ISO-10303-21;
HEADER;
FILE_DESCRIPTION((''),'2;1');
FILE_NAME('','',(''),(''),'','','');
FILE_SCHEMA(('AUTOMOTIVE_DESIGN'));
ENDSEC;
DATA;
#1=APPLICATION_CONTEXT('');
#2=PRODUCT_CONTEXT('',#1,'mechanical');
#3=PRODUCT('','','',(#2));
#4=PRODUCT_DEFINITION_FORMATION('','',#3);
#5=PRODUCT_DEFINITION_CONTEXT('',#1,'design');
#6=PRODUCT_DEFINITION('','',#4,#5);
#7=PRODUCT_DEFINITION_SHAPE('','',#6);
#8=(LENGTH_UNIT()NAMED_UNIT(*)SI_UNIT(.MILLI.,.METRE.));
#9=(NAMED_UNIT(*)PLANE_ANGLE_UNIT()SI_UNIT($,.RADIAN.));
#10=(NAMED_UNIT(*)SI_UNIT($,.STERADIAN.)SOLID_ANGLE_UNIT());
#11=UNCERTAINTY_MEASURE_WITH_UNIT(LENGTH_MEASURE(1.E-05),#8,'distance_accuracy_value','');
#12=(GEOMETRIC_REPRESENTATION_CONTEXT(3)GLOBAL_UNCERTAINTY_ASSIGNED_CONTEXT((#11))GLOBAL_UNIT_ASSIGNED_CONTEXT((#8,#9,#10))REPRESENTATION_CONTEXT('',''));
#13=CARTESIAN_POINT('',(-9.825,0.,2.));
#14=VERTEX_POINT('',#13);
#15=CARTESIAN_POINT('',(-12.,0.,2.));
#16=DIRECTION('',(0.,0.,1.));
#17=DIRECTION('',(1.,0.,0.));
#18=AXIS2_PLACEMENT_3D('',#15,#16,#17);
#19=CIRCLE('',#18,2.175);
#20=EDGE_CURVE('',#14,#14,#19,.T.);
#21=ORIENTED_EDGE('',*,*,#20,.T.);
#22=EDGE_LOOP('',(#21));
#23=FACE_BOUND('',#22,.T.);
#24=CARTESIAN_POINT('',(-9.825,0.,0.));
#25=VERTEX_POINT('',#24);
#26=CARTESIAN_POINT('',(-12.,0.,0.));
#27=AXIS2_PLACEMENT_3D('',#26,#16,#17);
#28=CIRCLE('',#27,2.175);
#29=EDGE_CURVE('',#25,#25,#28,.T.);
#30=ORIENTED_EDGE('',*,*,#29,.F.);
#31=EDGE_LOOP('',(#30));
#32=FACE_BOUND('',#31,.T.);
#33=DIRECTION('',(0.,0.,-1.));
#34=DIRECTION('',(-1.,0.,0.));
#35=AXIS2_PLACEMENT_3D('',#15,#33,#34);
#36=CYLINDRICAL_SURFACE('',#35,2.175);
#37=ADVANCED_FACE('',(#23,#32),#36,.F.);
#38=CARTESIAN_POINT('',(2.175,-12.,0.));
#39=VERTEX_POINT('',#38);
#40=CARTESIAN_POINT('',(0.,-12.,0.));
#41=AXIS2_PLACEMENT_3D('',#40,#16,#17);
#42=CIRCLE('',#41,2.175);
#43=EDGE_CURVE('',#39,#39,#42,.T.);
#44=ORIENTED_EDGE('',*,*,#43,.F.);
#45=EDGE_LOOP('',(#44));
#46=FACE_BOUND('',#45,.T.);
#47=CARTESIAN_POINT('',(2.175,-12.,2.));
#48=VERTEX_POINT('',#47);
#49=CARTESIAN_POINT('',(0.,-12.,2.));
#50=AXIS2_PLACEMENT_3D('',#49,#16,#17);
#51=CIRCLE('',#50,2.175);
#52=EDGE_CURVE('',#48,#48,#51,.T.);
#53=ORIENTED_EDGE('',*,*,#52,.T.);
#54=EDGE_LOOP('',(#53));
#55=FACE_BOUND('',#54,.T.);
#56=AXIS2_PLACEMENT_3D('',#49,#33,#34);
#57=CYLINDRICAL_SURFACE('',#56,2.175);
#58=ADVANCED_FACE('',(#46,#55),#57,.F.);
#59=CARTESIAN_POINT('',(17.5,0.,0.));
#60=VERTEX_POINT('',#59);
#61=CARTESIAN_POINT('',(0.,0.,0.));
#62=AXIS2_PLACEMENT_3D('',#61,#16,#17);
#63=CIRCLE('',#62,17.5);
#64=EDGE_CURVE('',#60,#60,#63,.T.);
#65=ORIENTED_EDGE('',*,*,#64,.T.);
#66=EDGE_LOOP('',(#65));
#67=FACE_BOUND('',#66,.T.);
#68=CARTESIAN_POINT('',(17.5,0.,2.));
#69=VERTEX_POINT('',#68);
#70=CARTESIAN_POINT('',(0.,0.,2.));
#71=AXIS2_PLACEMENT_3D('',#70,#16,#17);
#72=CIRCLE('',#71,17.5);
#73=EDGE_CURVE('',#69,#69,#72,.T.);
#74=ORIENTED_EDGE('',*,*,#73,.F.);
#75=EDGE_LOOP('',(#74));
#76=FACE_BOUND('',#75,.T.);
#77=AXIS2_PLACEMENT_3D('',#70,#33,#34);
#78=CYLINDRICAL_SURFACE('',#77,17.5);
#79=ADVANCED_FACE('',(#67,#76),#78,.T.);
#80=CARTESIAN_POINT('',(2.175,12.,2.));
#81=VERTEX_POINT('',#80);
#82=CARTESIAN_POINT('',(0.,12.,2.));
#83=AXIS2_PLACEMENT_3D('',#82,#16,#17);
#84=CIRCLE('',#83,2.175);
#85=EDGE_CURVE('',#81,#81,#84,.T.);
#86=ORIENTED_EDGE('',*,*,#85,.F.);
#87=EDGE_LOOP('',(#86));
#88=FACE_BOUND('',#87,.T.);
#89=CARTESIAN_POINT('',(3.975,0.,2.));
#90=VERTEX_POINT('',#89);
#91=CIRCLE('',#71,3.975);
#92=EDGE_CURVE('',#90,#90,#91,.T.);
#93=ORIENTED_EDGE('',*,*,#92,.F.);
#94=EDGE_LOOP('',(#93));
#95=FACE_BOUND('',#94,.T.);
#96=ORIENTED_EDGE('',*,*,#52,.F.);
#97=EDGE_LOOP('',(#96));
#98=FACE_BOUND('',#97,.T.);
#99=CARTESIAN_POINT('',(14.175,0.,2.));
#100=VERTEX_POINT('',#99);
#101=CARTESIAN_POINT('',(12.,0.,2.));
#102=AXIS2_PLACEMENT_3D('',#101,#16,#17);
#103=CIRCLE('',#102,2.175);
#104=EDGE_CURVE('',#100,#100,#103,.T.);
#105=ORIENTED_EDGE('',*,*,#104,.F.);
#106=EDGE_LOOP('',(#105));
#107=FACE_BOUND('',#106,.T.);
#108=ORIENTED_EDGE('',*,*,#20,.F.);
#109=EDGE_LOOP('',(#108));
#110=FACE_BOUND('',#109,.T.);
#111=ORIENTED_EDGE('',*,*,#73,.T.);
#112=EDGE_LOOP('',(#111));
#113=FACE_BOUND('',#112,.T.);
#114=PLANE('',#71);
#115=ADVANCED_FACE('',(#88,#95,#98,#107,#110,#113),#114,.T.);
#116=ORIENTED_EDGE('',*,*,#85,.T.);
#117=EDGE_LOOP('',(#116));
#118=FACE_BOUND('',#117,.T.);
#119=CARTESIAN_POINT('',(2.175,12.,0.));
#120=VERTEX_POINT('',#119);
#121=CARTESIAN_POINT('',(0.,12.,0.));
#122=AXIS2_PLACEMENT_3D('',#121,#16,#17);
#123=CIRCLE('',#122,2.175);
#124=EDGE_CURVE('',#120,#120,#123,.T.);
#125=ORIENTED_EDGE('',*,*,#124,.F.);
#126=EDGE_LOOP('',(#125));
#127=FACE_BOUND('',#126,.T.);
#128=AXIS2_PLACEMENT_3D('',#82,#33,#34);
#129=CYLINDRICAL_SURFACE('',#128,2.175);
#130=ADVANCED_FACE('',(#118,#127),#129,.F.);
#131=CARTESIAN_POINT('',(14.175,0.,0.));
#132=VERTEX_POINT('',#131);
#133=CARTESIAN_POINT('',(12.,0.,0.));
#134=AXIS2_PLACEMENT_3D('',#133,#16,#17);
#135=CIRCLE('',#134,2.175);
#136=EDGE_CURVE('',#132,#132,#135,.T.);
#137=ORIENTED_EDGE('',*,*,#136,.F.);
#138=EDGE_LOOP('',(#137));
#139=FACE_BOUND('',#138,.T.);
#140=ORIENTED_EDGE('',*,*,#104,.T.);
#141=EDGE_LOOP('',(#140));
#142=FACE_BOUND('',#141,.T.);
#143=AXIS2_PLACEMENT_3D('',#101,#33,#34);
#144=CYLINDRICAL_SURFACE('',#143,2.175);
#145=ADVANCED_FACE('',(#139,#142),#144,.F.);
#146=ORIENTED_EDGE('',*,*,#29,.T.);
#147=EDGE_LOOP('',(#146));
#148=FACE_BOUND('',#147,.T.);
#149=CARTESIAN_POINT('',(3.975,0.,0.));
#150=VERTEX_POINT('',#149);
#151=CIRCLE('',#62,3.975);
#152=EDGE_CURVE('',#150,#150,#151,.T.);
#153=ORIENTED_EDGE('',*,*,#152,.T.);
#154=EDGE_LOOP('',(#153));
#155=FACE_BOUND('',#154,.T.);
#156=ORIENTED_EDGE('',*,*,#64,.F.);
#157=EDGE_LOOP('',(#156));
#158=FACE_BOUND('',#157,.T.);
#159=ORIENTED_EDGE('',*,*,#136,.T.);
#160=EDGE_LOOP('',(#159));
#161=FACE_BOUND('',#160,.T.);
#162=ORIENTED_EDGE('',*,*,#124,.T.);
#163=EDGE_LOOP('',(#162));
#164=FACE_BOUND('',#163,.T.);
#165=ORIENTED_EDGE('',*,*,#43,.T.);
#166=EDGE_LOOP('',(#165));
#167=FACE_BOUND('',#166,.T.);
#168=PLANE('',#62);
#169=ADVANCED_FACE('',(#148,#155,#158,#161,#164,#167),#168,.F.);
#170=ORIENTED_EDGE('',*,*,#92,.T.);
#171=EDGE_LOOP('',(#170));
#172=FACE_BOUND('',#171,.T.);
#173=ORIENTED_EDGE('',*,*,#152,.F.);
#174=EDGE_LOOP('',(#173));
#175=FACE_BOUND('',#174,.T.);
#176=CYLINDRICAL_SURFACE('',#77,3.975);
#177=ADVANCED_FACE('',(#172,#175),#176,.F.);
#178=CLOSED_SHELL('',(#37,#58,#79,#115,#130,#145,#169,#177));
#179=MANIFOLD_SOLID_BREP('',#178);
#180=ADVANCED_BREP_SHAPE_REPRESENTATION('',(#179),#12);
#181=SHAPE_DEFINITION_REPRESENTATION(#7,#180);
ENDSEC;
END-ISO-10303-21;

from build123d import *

# Parameters (mm, degrees)
SKETCH1_R           = 17.5
SKETCH1_R_2         = 2.175
SKETCH1_R_3         = 3.975
BOSS_EXTRUDE1_DEPTH = 2


with BuildPart() as part:
    # Sketch1 → Boss-Extrude1 (new body)
    with BuildSketch(Plane.XY):
        Circle(SKETCH1_R)
        with Locations((12, 0)):
            Circle(SKETCH1_R_2, mode=Mode.SUBTRACT)
        with Locations((0, 12)):
            Circle(SKETCH1_R_2, mode=Mode.SUBTRACT)
        with Locations((-12, 0)):
            Circle(SKETCH1_R_2, mode=Mode.SUBTRACT)
        with Locations((0, -12)):
            Circle(SKETCH1_R_2, mode=Mode.SUBTRACT)
        Circle(SKETCH1_R_3, mode=Mode.SUBTRACT)
    extrude(amount=BOSS_EXTRUDE1_DEPTH)


solid = part.part
